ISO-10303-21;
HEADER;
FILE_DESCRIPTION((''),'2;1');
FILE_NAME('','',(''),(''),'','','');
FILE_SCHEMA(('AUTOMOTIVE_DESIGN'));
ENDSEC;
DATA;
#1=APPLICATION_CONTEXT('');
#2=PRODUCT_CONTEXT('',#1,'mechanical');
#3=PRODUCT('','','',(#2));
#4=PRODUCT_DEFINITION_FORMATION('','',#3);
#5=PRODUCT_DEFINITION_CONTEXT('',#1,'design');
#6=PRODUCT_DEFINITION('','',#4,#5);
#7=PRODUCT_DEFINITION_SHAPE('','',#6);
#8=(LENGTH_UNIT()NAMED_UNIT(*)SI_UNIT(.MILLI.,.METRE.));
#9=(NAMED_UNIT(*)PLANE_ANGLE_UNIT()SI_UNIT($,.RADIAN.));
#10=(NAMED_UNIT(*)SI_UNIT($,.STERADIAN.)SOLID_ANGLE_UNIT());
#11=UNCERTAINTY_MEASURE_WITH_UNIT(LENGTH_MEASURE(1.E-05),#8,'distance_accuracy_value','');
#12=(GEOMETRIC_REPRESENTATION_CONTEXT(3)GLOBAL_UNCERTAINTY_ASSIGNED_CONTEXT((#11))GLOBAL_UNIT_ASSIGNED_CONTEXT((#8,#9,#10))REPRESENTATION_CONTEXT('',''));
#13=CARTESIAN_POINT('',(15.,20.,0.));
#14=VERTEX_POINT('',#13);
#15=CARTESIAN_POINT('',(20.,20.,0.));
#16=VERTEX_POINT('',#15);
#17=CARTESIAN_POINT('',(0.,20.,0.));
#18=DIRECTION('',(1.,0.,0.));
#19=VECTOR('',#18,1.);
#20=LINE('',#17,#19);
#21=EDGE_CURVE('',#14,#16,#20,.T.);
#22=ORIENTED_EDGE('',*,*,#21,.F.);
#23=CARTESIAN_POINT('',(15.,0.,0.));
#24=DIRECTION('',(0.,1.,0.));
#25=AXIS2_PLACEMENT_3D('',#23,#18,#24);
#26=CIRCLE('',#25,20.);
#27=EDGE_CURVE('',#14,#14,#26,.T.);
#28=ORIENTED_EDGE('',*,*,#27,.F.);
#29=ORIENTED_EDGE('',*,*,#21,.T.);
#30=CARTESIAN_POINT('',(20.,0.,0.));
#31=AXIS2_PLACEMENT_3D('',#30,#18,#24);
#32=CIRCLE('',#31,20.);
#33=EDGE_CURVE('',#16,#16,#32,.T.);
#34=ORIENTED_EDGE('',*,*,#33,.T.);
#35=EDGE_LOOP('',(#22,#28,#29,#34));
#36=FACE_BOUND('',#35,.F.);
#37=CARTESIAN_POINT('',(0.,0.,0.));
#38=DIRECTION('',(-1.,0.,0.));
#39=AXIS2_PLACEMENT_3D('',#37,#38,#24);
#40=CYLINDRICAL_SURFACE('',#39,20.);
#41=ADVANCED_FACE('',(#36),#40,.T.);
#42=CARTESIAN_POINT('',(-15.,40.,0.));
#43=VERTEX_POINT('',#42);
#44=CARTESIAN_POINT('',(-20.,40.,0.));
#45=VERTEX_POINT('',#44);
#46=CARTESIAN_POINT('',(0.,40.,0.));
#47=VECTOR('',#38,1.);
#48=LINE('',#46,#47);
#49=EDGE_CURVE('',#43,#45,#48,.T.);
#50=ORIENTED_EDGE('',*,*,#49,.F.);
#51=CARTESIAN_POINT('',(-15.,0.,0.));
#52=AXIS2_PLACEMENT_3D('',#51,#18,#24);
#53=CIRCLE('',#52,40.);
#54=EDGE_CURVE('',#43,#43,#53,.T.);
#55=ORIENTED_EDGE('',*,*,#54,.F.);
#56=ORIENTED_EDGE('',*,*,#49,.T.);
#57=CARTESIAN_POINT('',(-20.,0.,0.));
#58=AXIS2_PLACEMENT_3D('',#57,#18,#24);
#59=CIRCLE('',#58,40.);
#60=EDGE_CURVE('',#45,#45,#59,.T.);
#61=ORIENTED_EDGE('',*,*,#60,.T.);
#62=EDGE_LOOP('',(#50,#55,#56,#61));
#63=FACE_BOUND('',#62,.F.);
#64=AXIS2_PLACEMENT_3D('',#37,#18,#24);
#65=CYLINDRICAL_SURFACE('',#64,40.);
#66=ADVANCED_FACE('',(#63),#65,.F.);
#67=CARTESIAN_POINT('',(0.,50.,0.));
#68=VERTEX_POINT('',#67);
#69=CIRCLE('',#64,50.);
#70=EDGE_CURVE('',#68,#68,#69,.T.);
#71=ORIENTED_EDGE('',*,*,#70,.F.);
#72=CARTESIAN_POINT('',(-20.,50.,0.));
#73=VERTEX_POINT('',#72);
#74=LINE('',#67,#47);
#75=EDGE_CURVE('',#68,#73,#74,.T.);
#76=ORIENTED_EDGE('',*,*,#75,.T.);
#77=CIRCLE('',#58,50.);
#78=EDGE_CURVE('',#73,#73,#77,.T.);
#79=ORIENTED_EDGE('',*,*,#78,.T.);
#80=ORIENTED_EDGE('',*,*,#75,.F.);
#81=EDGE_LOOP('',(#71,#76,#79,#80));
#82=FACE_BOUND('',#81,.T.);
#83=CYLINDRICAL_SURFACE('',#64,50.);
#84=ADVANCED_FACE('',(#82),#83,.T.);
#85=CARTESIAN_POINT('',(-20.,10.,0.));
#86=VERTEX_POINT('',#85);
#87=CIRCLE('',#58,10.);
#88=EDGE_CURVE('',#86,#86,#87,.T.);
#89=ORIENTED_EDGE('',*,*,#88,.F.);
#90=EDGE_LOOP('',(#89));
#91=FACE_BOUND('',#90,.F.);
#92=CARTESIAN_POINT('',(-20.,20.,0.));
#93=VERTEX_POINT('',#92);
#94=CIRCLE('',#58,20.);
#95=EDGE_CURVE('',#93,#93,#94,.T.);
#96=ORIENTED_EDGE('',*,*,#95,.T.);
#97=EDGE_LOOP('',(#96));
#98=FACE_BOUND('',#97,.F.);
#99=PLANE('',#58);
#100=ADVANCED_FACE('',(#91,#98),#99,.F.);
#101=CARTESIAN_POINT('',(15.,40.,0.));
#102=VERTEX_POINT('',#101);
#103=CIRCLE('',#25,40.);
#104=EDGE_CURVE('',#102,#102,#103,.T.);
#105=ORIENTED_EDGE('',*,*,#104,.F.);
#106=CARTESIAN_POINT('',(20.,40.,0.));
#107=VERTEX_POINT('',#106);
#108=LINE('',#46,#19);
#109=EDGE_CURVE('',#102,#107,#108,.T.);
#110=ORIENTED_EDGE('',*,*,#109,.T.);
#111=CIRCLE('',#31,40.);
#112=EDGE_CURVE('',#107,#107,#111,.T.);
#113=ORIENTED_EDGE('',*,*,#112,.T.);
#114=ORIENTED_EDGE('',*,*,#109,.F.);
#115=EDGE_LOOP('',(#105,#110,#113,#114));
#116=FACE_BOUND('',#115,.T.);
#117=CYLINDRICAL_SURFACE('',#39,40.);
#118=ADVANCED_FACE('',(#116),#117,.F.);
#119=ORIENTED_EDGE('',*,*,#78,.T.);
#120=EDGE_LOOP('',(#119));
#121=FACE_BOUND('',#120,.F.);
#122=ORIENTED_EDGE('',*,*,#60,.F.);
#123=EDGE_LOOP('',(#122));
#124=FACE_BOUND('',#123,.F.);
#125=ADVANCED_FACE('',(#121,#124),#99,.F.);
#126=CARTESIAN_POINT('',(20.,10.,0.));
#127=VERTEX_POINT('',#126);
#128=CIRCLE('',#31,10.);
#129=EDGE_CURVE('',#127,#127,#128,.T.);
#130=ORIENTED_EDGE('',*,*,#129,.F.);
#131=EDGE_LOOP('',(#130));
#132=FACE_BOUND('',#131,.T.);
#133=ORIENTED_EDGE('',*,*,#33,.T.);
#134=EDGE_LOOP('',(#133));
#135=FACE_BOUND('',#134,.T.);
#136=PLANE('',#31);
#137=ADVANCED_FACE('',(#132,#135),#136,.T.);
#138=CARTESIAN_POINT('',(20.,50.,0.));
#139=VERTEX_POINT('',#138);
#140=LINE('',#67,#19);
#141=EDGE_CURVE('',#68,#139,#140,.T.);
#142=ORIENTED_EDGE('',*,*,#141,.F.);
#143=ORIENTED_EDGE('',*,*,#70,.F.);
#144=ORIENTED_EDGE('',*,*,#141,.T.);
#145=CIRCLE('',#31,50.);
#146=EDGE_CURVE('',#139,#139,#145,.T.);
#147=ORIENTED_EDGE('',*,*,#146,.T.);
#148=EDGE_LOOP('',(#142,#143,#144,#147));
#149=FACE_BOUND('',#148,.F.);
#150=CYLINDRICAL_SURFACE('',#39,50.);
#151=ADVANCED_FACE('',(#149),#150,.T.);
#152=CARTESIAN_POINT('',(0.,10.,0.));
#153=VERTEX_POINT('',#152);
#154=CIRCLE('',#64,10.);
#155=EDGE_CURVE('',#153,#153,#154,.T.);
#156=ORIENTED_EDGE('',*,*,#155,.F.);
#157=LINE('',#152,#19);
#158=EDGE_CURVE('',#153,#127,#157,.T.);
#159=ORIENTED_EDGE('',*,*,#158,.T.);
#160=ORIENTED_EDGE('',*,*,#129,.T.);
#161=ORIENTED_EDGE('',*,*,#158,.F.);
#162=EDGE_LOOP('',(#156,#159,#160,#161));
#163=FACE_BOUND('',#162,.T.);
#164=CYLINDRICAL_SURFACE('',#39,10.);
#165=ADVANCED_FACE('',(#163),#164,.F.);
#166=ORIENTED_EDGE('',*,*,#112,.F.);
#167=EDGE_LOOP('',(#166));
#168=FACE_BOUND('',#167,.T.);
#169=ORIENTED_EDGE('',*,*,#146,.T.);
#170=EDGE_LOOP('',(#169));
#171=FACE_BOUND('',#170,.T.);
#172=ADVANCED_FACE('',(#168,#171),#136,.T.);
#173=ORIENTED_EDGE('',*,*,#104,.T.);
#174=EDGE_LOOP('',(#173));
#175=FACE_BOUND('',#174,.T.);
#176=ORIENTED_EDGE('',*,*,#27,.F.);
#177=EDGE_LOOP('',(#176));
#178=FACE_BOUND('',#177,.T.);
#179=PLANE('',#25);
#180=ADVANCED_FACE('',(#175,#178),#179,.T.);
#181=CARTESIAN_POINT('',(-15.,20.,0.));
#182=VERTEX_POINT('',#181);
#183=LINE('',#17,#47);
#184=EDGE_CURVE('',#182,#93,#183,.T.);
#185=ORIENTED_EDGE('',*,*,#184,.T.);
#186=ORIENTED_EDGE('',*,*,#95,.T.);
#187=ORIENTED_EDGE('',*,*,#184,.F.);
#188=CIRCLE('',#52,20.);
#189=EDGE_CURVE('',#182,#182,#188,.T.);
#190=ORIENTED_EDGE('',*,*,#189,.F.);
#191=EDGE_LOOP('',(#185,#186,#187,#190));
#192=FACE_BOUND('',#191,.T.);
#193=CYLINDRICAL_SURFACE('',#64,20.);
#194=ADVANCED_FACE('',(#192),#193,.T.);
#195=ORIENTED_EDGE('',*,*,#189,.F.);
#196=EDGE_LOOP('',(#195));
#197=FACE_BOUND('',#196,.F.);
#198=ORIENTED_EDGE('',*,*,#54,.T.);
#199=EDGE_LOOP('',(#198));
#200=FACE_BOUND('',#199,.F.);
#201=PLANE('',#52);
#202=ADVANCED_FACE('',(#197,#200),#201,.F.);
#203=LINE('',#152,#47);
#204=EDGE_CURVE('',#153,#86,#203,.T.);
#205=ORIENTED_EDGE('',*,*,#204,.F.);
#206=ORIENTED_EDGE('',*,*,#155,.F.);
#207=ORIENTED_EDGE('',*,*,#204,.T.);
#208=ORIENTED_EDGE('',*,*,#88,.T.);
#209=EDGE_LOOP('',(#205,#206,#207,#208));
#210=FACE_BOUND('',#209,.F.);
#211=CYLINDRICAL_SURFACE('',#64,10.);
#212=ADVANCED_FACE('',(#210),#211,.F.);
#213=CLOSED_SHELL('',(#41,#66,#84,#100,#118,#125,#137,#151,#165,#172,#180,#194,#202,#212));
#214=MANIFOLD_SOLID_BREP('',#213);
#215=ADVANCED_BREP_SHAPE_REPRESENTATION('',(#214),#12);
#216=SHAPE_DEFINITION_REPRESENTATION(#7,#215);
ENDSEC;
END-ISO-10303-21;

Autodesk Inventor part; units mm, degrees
ref_plane "YZ Plane" through (0, 0, 0) normal (1, 0, 0) x (0, 1, 0)
ref_plane "XZ Plane" through (0, 0, 0) normal (0, 1, 0) x (-1, 0, 0)
ref_plane "XY Plane" through (0, 0, 0) normal (0, 0, 1) x (1, 0, 0)
sketch "Esboço1" plane through (0, 0, 0) normal (1, 0, 0) x (0, 1, 0)
  circle A0 centre (0, 0) radius 50
  circle A1 centre (0, 0) radius 40
  circle A2 centre (0, 0) radius 10
  circle A3 centre (0, 0) radius 20
extrude "Extrusão1" add sketch "Esboço1" along normal mid plane 40
sketch "Esboço3" plane through (0, 0, 0) normal (1, 0, 0) x (0, 1, 0)
  circle A0 centre (0, 0) radius 20
  circle A1 centre (0, 0) radius 40
extrude "Extrusão2" add sketch "Esboço3" along normal mid plane 30
